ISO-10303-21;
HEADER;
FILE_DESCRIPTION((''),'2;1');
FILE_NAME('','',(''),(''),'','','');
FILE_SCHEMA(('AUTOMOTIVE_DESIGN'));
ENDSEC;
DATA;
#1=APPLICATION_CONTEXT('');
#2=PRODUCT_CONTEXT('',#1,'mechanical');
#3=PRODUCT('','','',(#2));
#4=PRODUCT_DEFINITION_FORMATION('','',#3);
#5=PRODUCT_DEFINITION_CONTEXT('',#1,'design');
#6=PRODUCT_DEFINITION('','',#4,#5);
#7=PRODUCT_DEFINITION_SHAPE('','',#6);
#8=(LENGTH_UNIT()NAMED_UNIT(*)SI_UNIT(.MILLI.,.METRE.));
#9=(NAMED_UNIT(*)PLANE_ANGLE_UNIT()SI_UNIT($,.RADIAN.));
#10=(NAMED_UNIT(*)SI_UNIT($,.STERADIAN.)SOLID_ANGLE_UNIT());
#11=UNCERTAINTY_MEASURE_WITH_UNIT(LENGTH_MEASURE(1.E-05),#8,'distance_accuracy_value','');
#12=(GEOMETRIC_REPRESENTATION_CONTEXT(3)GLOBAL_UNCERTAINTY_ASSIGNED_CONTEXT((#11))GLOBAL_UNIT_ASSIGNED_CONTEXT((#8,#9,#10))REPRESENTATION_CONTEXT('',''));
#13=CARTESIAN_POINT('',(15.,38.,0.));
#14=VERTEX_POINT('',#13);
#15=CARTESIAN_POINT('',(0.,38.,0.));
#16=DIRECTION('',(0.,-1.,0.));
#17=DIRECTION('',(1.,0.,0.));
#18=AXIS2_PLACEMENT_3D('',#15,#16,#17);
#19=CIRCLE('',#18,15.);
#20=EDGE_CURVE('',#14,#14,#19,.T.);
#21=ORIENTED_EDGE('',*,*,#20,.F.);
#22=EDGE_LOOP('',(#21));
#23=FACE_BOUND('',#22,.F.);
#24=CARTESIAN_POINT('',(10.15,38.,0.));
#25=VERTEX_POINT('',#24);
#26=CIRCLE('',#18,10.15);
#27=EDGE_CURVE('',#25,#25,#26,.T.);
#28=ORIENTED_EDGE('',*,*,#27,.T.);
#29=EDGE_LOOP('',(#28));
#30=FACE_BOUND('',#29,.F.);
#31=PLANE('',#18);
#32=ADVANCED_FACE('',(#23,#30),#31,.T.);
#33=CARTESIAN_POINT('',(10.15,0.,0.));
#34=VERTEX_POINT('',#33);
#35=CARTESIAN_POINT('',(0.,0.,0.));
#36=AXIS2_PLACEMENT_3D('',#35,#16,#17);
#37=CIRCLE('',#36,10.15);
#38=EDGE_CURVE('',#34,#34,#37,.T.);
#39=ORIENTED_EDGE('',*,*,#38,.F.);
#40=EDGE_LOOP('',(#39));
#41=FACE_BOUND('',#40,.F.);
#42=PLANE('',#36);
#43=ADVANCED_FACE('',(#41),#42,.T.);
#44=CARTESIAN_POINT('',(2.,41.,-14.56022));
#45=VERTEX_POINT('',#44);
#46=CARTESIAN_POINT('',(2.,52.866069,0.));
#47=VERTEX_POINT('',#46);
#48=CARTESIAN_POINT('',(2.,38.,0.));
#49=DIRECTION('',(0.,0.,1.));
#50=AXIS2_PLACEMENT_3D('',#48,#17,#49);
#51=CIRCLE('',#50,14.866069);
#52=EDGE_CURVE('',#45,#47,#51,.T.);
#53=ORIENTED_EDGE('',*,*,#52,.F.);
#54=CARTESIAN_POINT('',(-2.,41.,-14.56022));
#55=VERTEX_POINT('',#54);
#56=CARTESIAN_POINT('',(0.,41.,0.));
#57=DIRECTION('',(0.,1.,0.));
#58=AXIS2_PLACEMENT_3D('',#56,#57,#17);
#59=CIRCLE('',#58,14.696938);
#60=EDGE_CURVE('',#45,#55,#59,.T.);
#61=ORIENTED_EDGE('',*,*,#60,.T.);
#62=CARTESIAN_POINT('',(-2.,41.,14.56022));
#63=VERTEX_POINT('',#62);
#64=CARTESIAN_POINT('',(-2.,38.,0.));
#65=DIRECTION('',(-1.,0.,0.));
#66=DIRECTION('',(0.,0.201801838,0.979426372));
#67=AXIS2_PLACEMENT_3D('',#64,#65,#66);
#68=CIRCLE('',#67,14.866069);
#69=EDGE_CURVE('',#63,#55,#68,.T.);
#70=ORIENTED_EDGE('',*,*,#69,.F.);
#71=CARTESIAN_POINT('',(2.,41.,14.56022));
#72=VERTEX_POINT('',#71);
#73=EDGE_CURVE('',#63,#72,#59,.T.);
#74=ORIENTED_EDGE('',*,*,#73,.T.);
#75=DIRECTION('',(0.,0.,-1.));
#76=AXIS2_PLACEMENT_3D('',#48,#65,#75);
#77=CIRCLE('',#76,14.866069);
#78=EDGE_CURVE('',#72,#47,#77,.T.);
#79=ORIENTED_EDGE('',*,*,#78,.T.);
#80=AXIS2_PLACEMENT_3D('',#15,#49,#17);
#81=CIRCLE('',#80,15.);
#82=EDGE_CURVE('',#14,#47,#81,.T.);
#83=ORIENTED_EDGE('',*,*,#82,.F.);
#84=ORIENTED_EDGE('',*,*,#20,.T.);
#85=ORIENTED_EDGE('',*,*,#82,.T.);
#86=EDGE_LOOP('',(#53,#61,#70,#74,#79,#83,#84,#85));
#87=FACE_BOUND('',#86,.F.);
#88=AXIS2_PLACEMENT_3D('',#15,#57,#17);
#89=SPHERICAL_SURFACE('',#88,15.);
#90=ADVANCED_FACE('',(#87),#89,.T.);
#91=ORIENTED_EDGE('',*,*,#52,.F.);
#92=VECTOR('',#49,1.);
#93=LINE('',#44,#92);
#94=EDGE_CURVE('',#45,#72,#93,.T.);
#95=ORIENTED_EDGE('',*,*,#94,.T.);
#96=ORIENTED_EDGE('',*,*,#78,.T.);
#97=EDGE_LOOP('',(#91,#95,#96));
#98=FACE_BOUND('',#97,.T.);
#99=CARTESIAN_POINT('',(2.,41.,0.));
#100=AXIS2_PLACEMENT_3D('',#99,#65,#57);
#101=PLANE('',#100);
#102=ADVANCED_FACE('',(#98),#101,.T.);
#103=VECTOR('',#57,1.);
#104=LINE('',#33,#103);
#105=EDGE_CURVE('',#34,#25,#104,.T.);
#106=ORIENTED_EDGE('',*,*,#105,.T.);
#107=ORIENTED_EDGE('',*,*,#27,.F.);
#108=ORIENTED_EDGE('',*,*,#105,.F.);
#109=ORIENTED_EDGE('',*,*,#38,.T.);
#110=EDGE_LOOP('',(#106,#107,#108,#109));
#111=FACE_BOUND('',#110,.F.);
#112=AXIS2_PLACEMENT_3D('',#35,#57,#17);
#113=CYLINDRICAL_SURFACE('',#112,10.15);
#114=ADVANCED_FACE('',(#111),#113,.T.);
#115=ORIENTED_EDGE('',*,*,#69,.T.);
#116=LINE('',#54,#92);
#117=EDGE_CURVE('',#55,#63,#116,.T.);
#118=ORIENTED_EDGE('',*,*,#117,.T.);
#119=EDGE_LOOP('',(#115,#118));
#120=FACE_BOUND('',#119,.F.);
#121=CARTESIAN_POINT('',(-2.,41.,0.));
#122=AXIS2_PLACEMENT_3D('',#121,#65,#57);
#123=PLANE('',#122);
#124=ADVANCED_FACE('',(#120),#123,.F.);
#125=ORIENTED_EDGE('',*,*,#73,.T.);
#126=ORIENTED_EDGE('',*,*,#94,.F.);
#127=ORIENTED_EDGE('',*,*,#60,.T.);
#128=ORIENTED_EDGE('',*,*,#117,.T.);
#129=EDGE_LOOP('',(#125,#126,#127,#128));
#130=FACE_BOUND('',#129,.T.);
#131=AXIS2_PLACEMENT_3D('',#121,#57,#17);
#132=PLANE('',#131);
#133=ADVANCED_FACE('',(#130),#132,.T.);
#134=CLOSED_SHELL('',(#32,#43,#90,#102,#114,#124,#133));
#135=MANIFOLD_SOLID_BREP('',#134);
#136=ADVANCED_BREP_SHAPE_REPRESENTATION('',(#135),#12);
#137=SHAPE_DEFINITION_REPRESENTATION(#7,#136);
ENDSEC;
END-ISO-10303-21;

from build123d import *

# Parameters (mm, degrees)
SKETCH2_W               = 4
SKETCH2_H               = 20.325154634
CUT_EXTRUDE1_DEPTH      = 16
CUT_EXTRUDE1_DEPTH_BACK = 16


with BuildPart() as part:
    # Sketch1 → Revolve1 (revolve)
    with BuildSketch(Plane.XY):
        with BuildLine():
            Line((0, 53), (0, 0))
            Line((0, 0), (10.15, 0))
            Line((10.15, 0), (10.15, 38))
            Line((10.15, 38), (15, 38))
            ThreePointArc((15, 38), (10.606601718, 48.606601718), (0, 53))
        make_face()
    revolve(axis=Axis((0, 53, 0), (0, -1, 0)))

    # Sketch2 → Cut-Extrude1 (cut, two sides)
    with BuildSketch(Plane.XY) as cut_extrude1_sk:
        with Locations((0, 51.162577317)):
            Rectangle(SKETCH2_W, SKETCH2_H)
    extrude(amount=CUT_EXTRUDE1_DEPTH, mode=Mode.SUBTRACT)
    extrude(cut_extrude1_sk.sketch, amount=-CUT_EXTRUDE1_DEPTH_BACK, mode=Mode.SUBTRACT)


solid = part.part
